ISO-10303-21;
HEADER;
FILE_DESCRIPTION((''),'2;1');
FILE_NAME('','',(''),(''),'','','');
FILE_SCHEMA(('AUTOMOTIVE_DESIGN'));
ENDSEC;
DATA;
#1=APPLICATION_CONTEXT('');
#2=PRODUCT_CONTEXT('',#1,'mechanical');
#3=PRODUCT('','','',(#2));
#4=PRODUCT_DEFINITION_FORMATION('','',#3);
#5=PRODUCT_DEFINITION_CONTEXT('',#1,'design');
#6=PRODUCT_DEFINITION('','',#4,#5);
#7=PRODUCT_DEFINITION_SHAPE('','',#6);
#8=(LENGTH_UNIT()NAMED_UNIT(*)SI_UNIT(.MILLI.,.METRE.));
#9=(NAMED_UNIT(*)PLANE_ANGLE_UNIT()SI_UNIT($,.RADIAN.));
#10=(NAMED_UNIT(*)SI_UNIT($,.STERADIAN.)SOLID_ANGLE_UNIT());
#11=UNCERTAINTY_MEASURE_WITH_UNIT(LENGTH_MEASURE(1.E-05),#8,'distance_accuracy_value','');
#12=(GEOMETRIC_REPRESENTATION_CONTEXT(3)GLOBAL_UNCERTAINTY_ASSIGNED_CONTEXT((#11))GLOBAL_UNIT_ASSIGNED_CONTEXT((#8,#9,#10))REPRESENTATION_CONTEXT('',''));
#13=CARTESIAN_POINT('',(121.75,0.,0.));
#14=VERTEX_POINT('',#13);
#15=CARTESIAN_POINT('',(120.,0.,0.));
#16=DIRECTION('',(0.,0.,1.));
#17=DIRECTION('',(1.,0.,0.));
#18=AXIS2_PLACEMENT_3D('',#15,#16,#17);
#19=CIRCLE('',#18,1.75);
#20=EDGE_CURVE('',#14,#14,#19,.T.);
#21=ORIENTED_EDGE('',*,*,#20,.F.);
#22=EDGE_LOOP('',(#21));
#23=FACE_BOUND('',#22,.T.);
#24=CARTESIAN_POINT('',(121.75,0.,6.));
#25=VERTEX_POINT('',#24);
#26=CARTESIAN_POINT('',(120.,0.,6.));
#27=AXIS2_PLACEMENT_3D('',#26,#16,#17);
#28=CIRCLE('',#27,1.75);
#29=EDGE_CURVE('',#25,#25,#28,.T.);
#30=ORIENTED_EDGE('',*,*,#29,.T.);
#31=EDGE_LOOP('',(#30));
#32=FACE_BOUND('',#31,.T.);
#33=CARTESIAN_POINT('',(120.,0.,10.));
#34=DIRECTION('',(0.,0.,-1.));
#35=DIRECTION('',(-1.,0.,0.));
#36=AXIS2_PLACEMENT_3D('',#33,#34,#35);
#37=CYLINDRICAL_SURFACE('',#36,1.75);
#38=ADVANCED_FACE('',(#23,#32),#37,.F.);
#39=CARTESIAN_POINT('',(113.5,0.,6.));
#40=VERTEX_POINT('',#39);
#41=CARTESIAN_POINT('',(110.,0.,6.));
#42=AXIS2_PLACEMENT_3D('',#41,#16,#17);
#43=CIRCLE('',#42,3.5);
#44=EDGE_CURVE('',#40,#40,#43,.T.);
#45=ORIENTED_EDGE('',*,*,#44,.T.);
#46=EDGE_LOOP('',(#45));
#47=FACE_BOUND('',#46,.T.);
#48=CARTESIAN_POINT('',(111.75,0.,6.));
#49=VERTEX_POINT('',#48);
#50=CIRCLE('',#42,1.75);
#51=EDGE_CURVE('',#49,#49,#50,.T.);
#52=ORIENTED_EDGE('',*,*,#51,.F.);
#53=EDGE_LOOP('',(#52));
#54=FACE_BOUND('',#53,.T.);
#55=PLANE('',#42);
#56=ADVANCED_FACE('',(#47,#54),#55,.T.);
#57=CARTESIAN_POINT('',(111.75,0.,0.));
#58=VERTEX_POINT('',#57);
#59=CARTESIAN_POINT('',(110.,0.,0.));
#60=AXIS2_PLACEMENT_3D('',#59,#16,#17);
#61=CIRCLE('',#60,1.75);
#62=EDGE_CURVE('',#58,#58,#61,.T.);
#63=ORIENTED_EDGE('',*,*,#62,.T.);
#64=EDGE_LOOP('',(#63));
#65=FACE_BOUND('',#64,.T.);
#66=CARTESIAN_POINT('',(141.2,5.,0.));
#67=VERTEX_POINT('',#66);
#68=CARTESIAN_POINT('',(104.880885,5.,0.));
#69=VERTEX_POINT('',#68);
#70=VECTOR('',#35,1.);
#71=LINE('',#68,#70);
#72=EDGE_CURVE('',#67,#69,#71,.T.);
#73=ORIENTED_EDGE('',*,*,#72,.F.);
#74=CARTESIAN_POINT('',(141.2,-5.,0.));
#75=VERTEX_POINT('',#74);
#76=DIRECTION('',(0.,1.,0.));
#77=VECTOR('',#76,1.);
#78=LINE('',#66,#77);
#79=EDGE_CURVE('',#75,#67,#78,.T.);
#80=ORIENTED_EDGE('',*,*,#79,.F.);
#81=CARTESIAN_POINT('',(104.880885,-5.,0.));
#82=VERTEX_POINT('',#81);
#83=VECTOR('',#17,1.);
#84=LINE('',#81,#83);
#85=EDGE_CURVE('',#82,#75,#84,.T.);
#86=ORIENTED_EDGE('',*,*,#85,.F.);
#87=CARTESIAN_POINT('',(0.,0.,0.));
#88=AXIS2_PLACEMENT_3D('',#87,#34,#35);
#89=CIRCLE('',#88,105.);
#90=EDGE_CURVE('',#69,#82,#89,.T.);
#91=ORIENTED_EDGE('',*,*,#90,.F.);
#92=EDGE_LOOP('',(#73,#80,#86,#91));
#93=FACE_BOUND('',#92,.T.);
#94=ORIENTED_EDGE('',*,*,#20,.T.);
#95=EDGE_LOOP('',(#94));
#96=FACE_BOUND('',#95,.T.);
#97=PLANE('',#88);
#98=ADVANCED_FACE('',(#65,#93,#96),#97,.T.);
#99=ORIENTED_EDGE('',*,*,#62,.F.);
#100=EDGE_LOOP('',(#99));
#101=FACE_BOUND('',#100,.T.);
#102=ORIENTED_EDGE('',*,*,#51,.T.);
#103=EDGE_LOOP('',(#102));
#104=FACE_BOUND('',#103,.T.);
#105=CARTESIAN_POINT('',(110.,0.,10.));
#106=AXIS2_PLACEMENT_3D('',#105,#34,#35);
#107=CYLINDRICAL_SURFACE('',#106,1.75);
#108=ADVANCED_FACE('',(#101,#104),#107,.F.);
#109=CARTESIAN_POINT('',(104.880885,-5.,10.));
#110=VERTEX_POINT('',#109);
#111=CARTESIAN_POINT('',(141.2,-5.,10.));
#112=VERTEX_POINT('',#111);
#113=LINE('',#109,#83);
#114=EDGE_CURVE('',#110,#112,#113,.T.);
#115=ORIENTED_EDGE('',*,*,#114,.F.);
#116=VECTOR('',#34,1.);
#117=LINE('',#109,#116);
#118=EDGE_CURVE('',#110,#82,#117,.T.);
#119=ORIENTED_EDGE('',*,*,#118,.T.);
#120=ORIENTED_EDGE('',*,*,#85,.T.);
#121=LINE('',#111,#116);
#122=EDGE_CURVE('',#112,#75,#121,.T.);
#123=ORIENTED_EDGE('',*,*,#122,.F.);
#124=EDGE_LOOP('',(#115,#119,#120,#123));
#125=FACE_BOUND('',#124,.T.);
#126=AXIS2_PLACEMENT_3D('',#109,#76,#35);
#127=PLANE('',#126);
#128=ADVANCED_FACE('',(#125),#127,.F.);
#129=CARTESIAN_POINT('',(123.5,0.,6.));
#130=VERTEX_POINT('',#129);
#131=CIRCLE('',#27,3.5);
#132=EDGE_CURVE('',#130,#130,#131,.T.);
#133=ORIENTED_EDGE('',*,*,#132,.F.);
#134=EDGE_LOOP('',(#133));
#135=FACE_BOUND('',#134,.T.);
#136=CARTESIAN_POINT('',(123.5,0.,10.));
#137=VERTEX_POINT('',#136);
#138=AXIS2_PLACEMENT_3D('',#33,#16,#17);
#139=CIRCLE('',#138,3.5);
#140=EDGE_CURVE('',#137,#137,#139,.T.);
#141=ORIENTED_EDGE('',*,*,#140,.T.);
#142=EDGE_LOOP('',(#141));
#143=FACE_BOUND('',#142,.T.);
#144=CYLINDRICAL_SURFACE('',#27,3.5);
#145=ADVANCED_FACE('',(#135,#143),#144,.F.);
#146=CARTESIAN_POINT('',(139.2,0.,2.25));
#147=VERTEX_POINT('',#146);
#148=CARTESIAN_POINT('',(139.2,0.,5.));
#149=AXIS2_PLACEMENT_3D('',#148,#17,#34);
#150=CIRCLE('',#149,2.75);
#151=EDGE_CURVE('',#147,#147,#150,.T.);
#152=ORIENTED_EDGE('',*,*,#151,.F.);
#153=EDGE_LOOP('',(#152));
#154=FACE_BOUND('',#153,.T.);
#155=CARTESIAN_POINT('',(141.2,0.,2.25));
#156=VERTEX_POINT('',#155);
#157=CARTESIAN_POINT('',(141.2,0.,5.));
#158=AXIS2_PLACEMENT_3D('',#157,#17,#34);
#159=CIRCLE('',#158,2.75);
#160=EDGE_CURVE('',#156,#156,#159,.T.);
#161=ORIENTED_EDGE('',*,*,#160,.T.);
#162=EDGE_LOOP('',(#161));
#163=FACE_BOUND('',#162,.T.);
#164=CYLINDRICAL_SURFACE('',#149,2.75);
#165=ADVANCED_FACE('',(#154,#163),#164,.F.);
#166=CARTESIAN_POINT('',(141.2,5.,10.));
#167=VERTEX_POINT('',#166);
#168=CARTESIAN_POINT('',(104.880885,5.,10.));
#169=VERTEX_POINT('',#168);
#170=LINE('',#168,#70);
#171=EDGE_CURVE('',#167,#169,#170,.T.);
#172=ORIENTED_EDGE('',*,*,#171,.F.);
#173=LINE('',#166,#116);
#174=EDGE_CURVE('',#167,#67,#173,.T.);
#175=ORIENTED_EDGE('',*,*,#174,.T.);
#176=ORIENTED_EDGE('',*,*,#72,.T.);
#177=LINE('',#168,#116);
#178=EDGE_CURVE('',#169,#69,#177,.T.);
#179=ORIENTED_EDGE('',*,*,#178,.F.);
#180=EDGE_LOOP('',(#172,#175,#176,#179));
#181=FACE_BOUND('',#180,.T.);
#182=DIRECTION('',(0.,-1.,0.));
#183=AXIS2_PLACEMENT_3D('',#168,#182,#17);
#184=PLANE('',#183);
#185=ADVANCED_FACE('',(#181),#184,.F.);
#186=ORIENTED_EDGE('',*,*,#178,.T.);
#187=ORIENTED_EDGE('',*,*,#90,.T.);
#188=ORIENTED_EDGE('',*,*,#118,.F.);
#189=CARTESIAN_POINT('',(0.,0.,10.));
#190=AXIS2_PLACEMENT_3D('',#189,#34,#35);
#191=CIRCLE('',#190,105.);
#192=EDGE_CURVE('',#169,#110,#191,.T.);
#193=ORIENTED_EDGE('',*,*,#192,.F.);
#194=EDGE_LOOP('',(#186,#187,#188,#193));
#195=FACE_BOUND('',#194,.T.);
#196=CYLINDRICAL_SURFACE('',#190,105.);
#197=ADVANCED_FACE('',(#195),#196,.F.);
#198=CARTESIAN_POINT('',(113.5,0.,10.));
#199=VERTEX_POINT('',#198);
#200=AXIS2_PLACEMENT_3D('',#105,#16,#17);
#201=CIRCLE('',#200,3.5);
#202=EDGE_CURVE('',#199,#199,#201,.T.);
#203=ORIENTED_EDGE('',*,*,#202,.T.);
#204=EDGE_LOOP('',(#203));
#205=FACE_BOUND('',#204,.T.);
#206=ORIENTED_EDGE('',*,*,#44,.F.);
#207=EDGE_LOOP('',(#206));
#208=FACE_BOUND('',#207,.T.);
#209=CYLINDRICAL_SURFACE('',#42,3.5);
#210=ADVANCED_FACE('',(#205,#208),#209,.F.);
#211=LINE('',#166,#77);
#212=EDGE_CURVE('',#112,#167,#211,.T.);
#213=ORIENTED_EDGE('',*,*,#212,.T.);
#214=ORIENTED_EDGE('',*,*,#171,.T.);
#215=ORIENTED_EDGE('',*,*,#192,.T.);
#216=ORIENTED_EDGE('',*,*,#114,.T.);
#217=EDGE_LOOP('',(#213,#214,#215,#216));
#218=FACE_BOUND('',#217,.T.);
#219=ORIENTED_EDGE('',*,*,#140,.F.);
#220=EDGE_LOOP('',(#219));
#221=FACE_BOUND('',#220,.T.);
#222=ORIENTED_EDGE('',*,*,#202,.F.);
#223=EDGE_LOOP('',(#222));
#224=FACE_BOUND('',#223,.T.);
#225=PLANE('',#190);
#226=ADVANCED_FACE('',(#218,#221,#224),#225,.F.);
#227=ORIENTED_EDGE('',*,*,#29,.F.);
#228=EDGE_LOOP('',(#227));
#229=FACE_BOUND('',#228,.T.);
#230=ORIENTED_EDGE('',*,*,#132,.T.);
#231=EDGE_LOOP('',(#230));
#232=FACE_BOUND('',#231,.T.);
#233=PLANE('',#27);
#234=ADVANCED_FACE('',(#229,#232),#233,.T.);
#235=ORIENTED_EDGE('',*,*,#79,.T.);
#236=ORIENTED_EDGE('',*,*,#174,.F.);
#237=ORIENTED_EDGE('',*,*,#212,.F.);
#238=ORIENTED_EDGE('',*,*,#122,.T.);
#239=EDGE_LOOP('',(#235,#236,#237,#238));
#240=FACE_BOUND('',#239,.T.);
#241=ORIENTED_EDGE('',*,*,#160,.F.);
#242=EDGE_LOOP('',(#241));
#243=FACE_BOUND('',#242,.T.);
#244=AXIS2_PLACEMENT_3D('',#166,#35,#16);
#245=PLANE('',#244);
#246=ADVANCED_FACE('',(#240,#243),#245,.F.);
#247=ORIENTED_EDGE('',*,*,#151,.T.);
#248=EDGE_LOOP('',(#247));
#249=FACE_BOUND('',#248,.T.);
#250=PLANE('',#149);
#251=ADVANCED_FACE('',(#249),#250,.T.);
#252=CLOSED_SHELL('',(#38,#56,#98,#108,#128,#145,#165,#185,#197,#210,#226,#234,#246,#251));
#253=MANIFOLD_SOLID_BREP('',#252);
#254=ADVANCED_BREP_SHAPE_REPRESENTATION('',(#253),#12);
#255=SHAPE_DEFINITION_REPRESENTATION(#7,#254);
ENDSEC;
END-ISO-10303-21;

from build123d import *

# Parameters (mm, degrees)
ESQUISSE1_R             = 1.75
BOSS_EXTRU_1_DEPTH      = 10
ESQUISSE2_R             = 2.75
ENL_V_MAT_EXTRU_1_DEPTH = 2
ESQUISSE3_R             = 3.5
ENL_V_MAT_EXTRU_2_DEPTH = 4


with BuildPart() as part:
    # Esquisse1 → Boss.-Extru.1 (new body)
    with BuildSketch(Plane.XY):
        with BuildLine():
            Line((104.880884817, 5), (141.2, 5))
            Line((141.2, 5), (141.2, -5))
            Line((141.2, -5), (104.880884817, -5))
            ThreePointArc((104.880884817, -5), (105, 0), (104.880884817, 5))
        make_face()
        with Locations((110, 0)):
            Circle(ESQUISSE1_R, mode=Mode.SUBTRACT)
        with Locations((120, 0)):
            Circle(ESQUISSE1_R, mode=Mode.SUBTRACT)
    extrude(amount=BOSS_EXTRU_1_DEPTH)

    # Esquisse2 → Enlèv. mat.-Extru.1 (cut)
    with BuildSketch(Plane(origin=(141.2, 0, 0), x_dir=(0, 0, -1), z_dir=(1, 0, 0))):
        with Locations((-5, 0)):
            Circle(ESQUISSE2_R)
    extrude(amount=-ENL_V_MAT_EXTRU_1_DEPTH, mode=Mode.SUBTRACT)

    # Esquisse3 → Enlèv. mat.-Extru.2 (cut)
    with BuildSketch(Plane.XY.offset(10)):
        with Locations((110, 0)):
            Circle(ESQUISSE3_R)
        with Locations((120, 0)):
            Circle(ESQUISSE3_R)
    extrude(amount=-ENL_V_MAT_EXTRU_2_DEPTH, mode=Mode.SUBTRACT)


solid = part.part
